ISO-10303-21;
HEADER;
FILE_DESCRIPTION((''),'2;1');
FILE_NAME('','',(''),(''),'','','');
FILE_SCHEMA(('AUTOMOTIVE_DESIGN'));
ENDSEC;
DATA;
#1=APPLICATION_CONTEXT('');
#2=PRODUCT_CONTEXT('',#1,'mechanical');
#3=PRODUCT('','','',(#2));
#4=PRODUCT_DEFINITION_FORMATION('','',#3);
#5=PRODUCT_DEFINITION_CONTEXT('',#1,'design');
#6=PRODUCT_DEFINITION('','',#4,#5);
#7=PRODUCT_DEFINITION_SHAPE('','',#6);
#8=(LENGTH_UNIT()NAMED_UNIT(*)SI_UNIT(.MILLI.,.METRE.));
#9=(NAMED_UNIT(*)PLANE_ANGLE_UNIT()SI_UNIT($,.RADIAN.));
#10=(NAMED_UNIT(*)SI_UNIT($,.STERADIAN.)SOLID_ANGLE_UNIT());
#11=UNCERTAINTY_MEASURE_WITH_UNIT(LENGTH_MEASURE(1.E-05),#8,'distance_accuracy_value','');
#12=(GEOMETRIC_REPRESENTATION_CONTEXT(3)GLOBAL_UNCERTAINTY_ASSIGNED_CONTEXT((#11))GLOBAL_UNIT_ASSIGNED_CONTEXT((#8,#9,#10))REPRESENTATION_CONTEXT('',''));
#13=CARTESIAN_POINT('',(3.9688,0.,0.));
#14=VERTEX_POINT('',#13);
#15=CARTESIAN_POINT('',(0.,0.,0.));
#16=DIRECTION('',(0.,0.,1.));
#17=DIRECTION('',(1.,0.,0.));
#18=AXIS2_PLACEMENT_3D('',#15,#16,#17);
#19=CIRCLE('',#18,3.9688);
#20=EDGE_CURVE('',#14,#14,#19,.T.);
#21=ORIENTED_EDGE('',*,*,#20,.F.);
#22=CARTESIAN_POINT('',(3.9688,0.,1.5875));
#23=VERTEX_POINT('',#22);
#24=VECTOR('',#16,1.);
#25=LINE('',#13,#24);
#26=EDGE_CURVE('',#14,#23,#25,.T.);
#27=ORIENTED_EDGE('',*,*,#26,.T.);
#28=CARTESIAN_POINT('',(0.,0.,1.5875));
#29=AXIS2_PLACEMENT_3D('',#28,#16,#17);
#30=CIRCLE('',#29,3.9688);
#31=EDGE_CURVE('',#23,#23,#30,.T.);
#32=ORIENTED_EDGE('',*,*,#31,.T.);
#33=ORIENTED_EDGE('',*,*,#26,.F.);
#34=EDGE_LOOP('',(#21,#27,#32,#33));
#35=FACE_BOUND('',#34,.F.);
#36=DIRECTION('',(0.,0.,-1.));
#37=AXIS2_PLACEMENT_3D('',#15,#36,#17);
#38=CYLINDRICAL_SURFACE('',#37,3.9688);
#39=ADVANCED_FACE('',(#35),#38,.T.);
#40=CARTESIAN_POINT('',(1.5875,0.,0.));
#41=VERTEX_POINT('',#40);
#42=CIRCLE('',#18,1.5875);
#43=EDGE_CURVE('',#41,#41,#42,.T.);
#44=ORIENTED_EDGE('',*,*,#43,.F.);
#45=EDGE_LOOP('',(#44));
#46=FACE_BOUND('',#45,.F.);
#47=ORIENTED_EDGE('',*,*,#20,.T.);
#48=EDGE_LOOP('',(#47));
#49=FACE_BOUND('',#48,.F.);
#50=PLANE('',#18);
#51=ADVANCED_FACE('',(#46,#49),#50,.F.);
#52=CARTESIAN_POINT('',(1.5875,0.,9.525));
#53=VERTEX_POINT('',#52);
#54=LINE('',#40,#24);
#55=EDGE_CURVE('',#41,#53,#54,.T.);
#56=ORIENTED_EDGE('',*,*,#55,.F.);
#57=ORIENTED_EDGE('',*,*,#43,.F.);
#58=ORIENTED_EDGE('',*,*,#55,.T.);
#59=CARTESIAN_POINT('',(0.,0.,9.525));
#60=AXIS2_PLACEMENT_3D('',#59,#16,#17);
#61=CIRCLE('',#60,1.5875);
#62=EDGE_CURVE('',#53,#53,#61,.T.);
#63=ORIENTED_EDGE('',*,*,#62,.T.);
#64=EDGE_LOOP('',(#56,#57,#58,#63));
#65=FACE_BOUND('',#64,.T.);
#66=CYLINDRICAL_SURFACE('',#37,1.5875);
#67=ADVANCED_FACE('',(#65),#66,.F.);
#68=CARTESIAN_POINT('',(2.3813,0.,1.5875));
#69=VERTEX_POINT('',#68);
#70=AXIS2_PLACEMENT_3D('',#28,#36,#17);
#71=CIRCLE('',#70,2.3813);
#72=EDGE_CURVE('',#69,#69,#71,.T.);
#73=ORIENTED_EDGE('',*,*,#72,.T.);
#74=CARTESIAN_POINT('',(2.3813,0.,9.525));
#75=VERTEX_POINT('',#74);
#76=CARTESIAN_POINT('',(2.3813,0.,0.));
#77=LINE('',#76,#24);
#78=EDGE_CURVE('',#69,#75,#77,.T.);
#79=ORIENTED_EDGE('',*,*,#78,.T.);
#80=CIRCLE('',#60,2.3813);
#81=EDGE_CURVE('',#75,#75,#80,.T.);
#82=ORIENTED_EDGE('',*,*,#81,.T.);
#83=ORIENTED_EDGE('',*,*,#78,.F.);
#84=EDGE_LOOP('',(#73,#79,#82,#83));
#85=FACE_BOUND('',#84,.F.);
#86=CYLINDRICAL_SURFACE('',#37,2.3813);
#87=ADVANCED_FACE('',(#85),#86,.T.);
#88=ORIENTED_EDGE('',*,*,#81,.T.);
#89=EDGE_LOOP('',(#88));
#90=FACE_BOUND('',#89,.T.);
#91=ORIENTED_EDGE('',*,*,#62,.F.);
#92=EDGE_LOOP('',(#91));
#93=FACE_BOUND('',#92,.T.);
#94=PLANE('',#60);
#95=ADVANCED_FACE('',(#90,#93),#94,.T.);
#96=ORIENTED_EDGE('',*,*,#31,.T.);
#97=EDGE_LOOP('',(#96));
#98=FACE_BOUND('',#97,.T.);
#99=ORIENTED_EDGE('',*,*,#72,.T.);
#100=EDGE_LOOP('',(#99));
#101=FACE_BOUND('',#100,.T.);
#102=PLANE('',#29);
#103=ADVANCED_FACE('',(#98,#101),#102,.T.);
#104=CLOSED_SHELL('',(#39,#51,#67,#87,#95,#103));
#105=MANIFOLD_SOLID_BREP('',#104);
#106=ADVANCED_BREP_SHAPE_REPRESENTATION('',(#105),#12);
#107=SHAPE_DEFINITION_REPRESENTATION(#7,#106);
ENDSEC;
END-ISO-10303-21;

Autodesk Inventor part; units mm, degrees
ref_plane "YZ Plane" through (0, 0, 0) normal (1, 0, 0) x (0, 1, 0)
ref_plane "XZ Plane" through (0, 0, 0) normal (0, 1, 0) x (-1, 0, 0)
ref_plane "XY Plane" through (0, 0, 0) normal (0, 0, 1) x (1, 0, 0)
sketch "Sketch1" plane through (0, 0, 0) normal (0, 0, 1) x (1, 0, 0)
  circle A0 centre (0, 0) radius 3.9688
  circle A1 centre (0, 0) radius 1.5875
  circle A2 centre (0, 0) radius 2.3813
  dimension "d0" = 7.9375
  dimension "d1" = 3.175
  dimension "d2" = 4.7625
extrude "Extrusion1" add sketch "Sketch1" along normal blind 1.5875 contours A0 | A2
extrude "Extrusion2" add sketch "Sketch1" along normal blind 9.525 contours A2
properties part number "Bushings - Lever" material "Nylon 6/6"
